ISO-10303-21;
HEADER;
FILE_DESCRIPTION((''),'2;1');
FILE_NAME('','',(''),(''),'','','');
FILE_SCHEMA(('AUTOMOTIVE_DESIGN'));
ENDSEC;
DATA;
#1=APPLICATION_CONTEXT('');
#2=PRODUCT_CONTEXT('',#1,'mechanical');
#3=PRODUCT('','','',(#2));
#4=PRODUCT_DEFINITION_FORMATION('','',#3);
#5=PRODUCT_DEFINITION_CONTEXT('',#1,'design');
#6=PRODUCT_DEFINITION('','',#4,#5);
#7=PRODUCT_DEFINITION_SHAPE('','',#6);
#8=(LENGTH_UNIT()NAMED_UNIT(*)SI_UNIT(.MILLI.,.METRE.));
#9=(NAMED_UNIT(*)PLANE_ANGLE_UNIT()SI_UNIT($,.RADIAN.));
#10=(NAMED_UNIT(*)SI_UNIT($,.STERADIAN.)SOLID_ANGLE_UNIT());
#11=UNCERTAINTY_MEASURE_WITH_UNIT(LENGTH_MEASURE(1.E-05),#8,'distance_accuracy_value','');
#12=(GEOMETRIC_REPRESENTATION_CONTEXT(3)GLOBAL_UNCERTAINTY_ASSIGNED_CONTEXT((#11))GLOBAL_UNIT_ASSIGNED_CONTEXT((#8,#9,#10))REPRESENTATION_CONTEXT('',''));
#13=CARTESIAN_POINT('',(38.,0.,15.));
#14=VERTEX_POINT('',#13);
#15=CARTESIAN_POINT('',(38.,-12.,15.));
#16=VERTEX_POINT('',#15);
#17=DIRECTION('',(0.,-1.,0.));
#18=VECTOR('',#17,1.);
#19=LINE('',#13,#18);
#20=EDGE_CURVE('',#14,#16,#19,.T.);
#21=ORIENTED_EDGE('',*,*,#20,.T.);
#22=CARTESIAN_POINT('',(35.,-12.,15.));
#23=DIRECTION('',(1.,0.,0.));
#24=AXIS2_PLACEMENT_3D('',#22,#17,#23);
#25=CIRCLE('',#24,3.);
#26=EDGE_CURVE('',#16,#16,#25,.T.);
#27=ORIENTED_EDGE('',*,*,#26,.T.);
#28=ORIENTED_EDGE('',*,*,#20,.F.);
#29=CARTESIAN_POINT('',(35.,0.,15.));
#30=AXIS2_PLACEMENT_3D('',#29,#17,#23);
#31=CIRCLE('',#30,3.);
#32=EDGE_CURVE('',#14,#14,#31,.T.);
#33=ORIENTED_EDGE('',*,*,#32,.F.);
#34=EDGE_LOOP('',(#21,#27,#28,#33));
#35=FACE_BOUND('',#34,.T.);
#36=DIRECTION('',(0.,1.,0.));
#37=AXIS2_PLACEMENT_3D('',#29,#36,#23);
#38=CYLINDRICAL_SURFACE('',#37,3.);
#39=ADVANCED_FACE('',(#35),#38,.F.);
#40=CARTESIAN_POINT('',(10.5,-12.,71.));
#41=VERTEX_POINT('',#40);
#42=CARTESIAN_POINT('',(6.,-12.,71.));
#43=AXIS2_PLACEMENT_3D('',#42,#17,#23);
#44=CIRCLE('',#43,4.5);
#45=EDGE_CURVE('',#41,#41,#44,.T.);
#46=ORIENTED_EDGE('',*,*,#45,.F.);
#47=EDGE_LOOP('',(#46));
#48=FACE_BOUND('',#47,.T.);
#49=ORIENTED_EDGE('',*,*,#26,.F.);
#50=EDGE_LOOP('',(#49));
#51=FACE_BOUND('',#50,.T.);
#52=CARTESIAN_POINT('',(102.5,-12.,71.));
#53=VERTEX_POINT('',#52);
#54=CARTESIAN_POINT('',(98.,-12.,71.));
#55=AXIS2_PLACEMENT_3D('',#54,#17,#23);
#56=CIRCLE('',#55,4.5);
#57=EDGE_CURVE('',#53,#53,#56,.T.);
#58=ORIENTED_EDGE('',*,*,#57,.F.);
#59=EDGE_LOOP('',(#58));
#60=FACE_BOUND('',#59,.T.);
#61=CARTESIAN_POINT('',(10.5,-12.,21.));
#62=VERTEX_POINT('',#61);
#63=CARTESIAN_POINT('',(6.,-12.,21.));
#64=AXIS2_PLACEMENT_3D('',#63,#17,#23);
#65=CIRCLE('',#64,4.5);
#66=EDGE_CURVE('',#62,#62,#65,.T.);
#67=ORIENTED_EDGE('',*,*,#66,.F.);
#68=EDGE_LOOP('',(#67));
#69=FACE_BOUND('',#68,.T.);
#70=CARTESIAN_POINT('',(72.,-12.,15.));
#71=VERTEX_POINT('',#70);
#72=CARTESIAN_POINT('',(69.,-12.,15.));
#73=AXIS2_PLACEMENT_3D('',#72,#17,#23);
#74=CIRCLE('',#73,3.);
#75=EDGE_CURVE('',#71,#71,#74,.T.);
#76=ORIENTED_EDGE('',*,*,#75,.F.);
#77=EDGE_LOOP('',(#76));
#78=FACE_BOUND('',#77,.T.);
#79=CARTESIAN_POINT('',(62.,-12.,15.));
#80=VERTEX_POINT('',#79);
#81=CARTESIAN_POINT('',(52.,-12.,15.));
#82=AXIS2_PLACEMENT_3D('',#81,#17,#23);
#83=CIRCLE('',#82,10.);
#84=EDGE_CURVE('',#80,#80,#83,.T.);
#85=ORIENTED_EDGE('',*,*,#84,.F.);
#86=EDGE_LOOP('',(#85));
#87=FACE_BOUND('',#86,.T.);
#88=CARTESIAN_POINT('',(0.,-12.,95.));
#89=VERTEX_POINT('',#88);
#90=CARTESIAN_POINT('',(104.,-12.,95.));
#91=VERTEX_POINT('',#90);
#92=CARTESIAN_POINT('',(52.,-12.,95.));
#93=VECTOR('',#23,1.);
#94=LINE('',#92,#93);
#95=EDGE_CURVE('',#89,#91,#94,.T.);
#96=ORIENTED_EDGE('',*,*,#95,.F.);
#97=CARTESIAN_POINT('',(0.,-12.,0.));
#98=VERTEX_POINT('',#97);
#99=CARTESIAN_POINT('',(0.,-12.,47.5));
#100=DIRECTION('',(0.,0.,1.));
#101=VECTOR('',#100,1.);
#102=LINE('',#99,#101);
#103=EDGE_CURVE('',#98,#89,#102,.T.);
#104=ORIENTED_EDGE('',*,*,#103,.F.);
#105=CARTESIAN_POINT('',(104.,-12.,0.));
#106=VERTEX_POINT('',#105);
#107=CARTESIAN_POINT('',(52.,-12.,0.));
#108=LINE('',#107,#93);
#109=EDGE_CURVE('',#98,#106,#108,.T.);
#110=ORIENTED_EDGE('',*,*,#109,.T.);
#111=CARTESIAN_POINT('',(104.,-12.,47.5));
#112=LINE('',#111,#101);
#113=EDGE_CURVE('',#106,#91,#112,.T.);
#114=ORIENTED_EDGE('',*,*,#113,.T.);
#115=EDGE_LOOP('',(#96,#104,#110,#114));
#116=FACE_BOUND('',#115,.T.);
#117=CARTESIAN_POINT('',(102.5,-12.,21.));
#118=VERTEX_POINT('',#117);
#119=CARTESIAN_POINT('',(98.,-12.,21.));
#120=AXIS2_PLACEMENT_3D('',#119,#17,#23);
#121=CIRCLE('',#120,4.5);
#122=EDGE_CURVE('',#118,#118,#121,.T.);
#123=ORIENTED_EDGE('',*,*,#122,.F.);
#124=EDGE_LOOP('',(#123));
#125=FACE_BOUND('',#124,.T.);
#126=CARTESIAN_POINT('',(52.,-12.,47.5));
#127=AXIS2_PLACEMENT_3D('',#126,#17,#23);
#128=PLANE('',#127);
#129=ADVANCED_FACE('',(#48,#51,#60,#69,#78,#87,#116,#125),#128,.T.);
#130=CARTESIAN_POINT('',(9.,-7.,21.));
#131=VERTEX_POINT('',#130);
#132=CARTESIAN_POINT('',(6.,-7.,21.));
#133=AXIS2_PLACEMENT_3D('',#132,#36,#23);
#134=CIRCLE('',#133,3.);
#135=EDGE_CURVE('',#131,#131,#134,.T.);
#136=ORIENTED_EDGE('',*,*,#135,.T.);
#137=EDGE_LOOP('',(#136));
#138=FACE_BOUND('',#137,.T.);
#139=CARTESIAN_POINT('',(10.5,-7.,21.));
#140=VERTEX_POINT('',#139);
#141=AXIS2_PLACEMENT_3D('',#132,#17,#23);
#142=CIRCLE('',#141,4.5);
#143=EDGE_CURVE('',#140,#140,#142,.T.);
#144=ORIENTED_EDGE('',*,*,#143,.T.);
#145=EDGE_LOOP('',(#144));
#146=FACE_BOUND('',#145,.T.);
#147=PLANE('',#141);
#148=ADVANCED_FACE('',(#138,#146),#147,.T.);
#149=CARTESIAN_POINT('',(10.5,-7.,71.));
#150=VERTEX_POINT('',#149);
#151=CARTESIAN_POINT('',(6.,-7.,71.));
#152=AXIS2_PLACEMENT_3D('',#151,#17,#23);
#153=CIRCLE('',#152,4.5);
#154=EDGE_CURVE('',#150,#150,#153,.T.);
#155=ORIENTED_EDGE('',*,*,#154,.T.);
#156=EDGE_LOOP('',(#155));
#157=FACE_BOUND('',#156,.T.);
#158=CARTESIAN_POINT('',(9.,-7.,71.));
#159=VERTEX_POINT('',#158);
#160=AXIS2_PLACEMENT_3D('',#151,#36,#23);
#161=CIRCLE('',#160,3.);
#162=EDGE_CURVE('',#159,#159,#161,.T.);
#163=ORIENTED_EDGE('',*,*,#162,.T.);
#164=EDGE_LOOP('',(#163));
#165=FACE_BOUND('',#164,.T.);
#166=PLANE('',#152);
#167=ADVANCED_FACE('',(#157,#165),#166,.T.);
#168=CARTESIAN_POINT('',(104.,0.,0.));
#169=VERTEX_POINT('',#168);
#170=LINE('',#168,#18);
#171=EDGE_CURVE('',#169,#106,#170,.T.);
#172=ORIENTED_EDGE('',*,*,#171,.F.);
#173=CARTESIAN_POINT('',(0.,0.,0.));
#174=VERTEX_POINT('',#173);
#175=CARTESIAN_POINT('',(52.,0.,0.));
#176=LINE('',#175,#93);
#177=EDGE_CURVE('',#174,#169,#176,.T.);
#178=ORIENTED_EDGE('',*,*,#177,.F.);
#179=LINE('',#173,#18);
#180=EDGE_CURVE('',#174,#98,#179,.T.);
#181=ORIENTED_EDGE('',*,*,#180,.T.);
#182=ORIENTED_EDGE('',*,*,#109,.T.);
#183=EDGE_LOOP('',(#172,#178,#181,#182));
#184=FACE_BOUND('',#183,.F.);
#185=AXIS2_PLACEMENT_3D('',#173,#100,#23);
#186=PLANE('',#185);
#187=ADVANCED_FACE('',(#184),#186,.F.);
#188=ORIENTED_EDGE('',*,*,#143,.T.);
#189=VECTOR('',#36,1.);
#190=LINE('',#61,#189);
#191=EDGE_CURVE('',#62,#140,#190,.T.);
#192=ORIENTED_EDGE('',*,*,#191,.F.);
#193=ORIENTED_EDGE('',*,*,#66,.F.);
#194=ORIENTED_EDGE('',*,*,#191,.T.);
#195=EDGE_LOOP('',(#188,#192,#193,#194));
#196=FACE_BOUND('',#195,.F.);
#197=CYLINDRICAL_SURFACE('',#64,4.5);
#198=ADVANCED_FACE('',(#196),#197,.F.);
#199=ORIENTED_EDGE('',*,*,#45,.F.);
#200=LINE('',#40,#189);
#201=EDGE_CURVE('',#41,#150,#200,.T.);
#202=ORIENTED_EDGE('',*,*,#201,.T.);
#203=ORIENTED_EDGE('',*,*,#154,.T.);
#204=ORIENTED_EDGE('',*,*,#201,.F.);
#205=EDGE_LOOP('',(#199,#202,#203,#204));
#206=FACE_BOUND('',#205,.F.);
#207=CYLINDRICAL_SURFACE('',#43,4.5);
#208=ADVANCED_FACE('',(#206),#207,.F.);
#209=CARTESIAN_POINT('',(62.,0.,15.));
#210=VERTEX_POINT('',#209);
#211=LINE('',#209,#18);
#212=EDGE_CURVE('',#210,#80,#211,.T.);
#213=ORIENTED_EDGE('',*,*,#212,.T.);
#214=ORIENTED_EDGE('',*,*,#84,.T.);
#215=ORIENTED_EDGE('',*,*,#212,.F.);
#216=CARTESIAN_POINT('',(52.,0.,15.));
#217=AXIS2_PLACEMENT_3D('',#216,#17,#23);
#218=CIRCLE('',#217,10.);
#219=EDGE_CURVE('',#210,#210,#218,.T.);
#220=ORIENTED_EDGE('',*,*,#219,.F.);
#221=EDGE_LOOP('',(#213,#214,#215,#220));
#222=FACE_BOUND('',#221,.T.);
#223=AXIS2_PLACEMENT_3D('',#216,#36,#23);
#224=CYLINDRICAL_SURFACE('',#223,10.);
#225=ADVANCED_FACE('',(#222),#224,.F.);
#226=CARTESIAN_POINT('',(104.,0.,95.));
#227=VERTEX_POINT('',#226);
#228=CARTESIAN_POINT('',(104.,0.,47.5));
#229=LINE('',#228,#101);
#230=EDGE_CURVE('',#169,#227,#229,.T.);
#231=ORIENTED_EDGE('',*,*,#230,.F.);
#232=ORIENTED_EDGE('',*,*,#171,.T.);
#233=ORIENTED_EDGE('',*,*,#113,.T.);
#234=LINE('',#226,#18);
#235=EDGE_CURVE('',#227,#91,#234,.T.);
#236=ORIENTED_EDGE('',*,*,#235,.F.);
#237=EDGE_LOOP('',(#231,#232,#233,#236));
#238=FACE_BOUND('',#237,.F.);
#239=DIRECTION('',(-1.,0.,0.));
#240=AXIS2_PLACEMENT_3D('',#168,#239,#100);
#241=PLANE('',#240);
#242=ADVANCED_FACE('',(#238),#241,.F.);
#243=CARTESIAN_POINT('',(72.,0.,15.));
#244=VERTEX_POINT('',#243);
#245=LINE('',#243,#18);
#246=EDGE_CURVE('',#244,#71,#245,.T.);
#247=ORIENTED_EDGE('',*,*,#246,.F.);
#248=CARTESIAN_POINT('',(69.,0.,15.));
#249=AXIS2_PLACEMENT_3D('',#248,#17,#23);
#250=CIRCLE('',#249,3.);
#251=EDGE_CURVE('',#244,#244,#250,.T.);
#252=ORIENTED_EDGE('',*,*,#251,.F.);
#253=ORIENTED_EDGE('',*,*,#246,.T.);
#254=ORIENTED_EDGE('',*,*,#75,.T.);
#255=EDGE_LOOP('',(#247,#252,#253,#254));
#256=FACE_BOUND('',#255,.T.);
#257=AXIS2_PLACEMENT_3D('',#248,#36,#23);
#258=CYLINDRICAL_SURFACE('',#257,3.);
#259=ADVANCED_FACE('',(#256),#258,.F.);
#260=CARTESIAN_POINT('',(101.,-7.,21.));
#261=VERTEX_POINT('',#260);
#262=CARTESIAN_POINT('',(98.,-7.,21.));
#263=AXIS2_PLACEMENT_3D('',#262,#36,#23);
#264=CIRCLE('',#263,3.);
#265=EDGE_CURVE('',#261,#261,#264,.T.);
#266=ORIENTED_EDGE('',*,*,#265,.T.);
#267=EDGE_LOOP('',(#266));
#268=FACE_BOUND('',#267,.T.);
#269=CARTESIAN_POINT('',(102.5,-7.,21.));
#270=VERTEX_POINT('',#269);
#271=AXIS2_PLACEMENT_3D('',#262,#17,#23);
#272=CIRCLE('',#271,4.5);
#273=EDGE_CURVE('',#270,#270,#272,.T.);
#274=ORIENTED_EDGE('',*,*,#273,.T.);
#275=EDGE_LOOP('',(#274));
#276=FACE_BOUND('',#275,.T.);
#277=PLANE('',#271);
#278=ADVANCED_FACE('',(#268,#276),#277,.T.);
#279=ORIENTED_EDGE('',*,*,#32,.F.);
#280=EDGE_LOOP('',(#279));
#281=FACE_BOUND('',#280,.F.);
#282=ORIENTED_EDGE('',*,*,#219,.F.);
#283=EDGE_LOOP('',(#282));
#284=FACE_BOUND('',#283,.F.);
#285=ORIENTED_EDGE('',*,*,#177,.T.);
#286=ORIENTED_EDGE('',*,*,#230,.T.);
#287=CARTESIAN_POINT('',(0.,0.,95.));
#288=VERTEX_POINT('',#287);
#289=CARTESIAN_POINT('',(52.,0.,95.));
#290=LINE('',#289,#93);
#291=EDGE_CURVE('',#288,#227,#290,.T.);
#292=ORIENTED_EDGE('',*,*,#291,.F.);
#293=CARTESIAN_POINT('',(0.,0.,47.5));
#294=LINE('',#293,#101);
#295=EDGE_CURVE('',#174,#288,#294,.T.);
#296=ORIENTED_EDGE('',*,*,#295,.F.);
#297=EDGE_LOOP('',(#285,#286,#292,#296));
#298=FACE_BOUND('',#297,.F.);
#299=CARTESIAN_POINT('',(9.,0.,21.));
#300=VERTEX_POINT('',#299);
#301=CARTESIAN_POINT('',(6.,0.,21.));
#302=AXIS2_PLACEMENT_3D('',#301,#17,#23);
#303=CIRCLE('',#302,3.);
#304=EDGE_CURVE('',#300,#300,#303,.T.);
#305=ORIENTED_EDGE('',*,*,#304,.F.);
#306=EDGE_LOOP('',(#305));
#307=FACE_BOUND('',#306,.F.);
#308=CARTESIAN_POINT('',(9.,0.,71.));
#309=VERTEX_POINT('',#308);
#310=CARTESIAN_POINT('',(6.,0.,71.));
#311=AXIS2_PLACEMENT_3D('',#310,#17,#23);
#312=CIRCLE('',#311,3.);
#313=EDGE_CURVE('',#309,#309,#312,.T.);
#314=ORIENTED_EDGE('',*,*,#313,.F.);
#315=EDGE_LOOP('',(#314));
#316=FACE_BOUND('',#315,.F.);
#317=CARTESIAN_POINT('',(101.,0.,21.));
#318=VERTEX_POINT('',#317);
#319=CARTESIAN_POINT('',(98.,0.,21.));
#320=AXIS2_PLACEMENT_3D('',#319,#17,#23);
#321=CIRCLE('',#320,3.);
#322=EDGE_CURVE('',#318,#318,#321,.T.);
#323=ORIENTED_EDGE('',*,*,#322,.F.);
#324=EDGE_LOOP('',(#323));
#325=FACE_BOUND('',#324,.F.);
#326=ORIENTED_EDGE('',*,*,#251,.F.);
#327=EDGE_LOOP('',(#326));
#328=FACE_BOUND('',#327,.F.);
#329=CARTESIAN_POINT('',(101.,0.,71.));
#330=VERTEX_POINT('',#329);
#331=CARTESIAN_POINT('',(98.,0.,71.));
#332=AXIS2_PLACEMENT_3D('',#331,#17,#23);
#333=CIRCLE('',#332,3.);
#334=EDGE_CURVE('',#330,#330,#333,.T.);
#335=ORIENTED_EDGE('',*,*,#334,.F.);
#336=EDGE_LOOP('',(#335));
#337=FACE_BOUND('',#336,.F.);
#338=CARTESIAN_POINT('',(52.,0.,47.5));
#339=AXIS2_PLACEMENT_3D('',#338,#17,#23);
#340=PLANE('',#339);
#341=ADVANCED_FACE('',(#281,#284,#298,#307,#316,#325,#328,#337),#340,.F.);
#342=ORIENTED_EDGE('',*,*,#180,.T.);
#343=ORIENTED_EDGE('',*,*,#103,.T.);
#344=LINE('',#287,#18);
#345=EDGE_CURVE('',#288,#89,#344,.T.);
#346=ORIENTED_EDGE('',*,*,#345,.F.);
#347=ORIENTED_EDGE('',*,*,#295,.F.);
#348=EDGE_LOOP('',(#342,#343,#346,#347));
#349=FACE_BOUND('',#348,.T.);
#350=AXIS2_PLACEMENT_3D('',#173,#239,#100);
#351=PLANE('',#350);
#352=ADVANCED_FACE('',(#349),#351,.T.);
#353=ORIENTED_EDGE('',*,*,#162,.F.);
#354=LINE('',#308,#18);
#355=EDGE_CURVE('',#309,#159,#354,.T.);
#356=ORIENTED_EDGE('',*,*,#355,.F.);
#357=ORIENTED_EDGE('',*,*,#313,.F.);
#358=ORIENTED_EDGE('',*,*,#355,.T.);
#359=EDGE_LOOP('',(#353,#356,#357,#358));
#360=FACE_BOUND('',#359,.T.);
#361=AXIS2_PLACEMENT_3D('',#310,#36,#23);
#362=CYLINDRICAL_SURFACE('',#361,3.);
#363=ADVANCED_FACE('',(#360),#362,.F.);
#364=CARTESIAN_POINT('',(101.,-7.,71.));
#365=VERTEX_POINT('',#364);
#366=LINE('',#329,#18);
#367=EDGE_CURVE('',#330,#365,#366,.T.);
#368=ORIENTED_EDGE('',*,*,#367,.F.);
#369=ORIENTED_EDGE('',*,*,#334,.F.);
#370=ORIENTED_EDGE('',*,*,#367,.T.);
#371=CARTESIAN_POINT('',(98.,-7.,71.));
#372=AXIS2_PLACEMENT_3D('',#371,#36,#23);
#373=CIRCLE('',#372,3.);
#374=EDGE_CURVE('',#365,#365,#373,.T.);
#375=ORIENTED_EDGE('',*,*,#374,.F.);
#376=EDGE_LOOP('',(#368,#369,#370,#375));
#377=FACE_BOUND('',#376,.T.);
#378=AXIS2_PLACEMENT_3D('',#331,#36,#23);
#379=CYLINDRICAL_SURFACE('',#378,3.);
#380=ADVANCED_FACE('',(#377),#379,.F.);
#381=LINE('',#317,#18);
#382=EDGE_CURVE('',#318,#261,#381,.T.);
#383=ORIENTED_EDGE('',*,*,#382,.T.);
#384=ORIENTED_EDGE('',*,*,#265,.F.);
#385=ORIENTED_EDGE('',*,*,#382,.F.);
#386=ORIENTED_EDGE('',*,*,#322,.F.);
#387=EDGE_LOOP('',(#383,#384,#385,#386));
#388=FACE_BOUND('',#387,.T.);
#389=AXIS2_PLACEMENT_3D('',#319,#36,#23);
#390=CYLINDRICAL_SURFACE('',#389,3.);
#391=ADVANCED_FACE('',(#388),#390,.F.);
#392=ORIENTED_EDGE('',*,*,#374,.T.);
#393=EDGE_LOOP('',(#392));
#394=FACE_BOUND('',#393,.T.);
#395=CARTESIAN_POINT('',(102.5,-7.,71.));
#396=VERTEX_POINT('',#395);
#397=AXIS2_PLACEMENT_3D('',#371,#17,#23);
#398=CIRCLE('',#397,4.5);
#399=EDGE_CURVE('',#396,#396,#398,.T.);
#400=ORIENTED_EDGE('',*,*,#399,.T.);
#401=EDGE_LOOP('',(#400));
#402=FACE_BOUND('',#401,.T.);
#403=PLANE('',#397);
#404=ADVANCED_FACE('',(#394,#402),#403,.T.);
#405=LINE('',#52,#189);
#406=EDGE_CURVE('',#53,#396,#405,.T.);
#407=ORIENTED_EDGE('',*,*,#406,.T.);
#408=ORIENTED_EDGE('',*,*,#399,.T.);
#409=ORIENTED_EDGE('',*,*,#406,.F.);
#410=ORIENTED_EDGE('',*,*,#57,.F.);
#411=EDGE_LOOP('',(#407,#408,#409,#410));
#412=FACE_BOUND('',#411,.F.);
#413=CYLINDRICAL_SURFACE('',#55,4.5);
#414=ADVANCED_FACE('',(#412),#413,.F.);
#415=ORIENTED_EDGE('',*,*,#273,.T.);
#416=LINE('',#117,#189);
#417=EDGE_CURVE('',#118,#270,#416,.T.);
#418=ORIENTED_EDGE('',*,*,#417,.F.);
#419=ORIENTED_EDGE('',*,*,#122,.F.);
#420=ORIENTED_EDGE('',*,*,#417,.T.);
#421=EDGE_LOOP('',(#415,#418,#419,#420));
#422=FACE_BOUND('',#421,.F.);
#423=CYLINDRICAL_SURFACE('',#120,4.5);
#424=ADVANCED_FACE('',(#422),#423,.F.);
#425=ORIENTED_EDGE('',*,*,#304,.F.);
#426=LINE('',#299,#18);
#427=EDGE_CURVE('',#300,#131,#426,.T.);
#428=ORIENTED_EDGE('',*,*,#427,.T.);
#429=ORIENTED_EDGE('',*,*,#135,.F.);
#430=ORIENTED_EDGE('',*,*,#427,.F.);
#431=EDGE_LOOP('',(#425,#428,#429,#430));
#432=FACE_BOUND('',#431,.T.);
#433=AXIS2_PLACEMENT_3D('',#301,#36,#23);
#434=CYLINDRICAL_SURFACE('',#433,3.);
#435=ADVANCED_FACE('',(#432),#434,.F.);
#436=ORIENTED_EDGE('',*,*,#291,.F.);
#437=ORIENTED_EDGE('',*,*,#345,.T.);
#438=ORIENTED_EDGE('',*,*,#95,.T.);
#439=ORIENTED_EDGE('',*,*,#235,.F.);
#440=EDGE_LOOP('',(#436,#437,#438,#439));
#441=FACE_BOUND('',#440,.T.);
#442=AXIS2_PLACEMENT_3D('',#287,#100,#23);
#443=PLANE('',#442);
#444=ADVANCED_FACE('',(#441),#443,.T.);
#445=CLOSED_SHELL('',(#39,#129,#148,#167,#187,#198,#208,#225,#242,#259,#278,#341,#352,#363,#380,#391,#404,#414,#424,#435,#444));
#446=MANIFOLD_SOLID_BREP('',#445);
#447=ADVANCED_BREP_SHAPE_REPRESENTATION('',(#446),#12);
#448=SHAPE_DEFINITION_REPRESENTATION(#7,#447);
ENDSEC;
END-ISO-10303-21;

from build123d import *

# Parameters (mm, degrees)
F0_W     = 104
F0_H     = 95
F0_R     = 3
F0_R_2   = 10
F1_DEPTH = 12
F2_R     = 4.5
F3_DEPTH = 5


with BuildPart() as f1:
    # F0 (on Front) → F1 (new body)
    with BuildSketch(Plane.XZ):
        with Locations((52, 47.5)):
            Rectangle(F0_W, F0_H)
        with Locations((6, 21)):
            Circle(F0_R, mode=Mode.SUBTRACT)
        with Locations((35, 15)):
            Circle(F0_R, mode=Mode.SUBTRACT)
        with Locations((52, 15)):
            Circle(F0_R_2, mode=Mode.SUBTRACT)
        with Locations((69, 15)):
            Circle(F0_R, mode=Mode.SUBTRACT)
        with Locations((98, 21)):
            Circle(F0_R, mode=Mode.SUBTRACT)
        with Locations((6, 71)):
            Circle(F0_R, mode=Mode.SUBTRACT)
        with Locations((98, 71)):
            Circle(F0_R, mode=Mode.SUBTRACT)
    extrude(amount=F1_DEPTH)

    # F2 (on face) → F3 (cut)
    with BuildSketch(Plane.XZ.offset(12)):
        with Locations((6, 71)):
            Circle(F2_R)
        with Locations((98, 71)):
            Circle(F2_R)
        with Locations((98, 21)):
            Circle(F2_R)
        with Locations((6, 21)):
            Circle(F2_R)
    extrude(amount=-F3_DEPTH, mode=Mode.SUBTRACT)


solid = f1.part
